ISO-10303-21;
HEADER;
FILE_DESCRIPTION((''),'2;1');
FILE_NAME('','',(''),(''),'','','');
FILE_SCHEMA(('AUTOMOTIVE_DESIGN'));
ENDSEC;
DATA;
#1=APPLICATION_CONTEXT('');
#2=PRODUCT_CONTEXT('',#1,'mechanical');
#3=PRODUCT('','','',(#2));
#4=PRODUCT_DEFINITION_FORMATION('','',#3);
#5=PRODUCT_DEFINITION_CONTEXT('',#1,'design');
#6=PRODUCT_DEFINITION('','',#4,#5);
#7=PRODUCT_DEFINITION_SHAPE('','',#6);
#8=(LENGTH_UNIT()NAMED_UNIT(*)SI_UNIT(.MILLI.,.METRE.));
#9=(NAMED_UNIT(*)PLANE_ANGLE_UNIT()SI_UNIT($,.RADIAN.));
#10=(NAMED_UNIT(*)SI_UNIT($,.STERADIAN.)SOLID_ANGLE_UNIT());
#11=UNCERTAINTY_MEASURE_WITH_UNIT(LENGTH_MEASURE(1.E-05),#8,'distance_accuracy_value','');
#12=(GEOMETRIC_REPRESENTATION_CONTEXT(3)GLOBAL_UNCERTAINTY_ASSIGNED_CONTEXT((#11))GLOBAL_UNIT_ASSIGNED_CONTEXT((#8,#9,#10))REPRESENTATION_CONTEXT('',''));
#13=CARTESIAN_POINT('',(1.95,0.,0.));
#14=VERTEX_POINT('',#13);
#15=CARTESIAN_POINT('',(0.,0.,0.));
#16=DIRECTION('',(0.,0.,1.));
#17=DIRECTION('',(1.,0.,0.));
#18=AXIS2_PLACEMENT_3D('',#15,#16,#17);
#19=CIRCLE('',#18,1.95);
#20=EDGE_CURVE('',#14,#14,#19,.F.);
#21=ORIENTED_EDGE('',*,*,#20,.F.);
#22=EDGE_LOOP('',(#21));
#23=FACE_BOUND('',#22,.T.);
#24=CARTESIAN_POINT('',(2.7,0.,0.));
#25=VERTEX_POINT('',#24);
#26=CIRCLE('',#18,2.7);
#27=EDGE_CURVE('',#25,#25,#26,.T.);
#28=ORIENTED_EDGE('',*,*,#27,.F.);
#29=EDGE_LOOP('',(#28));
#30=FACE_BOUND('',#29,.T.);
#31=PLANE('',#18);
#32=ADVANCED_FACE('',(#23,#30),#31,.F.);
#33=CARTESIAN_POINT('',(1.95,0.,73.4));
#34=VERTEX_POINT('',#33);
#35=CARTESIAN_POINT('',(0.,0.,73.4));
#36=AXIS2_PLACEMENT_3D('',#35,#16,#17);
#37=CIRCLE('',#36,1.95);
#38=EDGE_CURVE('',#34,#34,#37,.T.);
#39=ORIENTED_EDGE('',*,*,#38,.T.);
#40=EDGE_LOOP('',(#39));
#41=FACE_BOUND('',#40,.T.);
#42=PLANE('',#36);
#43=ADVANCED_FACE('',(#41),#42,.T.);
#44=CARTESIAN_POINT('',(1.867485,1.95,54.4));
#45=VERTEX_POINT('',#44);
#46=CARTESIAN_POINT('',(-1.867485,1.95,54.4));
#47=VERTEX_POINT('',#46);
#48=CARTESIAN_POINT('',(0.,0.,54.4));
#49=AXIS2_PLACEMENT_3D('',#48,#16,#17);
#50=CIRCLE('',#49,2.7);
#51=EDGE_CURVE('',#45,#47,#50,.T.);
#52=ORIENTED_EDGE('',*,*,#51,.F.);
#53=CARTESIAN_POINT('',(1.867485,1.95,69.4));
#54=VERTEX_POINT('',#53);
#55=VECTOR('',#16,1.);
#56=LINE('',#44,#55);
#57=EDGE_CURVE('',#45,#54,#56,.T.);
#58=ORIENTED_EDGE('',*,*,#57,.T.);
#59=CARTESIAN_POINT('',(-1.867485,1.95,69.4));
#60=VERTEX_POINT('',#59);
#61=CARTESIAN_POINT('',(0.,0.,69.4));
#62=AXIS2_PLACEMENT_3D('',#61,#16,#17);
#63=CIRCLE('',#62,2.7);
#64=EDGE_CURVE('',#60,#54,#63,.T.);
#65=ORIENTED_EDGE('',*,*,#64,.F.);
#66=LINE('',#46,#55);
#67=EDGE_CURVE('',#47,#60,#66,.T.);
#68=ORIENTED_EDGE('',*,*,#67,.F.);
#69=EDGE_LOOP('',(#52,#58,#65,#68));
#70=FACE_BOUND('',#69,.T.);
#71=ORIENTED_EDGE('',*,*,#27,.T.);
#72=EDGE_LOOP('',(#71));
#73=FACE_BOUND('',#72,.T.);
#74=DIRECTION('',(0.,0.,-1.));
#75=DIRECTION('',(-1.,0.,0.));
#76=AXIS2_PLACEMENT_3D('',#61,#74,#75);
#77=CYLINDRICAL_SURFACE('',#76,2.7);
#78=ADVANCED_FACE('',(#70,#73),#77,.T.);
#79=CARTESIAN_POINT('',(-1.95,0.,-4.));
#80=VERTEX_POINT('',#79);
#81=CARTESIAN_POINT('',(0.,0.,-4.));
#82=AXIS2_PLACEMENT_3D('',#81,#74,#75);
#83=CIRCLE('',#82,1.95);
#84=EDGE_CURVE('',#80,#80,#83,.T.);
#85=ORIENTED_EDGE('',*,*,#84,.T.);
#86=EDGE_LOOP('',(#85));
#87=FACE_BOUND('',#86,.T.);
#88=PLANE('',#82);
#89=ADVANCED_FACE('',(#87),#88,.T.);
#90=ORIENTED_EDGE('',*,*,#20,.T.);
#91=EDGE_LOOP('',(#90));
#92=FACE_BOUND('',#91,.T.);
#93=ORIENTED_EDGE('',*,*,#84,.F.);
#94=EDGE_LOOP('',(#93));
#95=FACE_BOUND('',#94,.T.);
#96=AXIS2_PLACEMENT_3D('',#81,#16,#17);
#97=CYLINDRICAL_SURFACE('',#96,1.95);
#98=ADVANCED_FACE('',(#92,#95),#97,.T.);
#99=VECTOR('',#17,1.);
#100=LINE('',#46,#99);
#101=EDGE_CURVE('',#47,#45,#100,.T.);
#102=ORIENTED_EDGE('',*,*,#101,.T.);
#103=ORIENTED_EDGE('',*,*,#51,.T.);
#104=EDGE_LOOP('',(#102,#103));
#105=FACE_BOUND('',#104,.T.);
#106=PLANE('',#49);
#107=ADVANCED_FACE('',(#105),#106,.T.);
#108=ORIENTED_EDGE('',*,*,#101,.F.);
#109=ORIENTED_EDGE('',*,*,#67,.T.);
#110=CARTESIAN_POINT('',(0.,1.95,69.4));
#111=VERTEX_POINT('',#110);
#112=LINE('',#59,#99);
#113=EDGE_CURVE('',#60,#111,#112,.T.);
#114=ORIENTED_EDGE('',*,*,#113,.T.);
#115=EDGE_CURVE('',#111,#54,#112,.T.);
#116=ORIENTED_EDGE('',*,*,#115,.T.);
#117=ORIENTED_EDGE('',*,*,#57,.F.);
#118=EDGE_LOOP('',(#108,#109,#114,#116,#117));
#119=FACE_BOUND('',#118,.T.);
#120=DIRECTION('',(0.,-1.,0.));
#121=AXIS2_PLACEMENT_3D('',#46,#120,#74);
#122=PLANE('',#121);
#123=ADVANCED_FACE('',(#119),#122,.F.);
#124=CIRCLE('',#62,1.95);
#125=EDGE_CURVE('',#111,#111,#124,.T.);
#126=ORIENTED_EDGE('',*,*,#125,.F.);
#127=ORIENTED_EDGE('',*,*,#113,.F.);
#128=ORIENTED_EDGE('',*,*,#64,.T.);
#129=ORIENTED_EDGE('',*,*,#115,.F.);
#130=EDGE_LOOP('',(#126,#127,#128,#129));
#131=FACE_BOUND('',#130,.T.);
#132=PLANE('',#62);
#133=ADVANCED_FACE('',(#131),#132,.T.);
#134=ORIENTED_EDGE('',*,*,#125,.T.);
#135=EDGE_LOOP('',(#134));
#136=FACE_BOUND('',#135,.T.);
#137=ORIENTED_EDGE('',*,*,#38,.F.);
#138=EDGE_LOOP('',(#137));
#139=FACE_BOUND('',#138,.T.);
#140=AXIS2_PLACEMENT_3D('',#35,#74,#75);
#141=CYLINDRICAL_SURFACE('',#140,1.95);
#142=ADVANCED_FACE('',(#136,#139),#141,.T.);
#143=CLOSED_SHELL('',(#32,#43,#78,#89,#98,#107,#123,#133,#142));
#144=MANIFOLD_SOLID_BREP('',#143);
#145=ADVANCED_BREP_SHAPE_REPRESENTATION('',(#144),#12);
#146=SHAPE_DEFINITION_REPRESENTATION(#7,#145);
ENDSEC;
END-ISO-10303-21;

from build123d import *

# Parameters (mm, degrees)
ESBO_O1_R                = 2.7
RESSALTO_EXTRUS_O1_DEPTH = 69.4
ESBO_O2_R                = 1.95
RESSALTO_EXTRUS_O2_DEPTH = 4
RESSALTO_EXTRUS_O3_START = 4
ESBO_O3_R                = 1.95
RESSALTO_EXTRUS_O3_DEPTH = 4
ESBO_O5_W                = 3.73496988
ESBO_O5_H                = 0.75
CORTE_EXTRUS_O2_DEPTH    = 15


with BuildPart() as part:
    # Esboço1 → Ressalto-extrusão1 (new body)
    with BuildSketch(Plane.XY):
        Circle(ESBO_O1_R)
    extrude(amount=RESSALTO_EXTRUS_O1_DEPTH)

    # Esboço2 → Ressalto-extrusão2 (add)
    with BuildSketch(Plane.XY.offset(69.4)):
        Circle(ESBO_O2_R)
    extrude(amount=RESSALTO_EXTRUS_O2_DEPTH)

    # Esboço3 → Ressalto-extrusão3 (add)
    with BuildSketch(Plane(origin=(0, 0, 0), x_dir=(-1, 0, 0), z_dir=(0, 0, -1)).offset(RESSALTO_EXTRUS_O3_START)):
        with Locations(Location((0, 0, 0), (0, 0, 180))):
            Circle(ESBO_O3_R)
    extrude(amount=-RESSALTO_EXTRUS_O3_DEPTH)

    # Esboço5 → Corte-extrusão2 (cut)
    with BuildSketch(Plane.XY.offset(69.4)):
        with Locations((0, 2.325)):
            Rectangle(ESBO_O5_W, ESBO_O5_H)
    extrude(amount=-CORTE_EXTRUS_O2_DEPTH, mode=Mode.SUBTRACT)


solid = part.part
